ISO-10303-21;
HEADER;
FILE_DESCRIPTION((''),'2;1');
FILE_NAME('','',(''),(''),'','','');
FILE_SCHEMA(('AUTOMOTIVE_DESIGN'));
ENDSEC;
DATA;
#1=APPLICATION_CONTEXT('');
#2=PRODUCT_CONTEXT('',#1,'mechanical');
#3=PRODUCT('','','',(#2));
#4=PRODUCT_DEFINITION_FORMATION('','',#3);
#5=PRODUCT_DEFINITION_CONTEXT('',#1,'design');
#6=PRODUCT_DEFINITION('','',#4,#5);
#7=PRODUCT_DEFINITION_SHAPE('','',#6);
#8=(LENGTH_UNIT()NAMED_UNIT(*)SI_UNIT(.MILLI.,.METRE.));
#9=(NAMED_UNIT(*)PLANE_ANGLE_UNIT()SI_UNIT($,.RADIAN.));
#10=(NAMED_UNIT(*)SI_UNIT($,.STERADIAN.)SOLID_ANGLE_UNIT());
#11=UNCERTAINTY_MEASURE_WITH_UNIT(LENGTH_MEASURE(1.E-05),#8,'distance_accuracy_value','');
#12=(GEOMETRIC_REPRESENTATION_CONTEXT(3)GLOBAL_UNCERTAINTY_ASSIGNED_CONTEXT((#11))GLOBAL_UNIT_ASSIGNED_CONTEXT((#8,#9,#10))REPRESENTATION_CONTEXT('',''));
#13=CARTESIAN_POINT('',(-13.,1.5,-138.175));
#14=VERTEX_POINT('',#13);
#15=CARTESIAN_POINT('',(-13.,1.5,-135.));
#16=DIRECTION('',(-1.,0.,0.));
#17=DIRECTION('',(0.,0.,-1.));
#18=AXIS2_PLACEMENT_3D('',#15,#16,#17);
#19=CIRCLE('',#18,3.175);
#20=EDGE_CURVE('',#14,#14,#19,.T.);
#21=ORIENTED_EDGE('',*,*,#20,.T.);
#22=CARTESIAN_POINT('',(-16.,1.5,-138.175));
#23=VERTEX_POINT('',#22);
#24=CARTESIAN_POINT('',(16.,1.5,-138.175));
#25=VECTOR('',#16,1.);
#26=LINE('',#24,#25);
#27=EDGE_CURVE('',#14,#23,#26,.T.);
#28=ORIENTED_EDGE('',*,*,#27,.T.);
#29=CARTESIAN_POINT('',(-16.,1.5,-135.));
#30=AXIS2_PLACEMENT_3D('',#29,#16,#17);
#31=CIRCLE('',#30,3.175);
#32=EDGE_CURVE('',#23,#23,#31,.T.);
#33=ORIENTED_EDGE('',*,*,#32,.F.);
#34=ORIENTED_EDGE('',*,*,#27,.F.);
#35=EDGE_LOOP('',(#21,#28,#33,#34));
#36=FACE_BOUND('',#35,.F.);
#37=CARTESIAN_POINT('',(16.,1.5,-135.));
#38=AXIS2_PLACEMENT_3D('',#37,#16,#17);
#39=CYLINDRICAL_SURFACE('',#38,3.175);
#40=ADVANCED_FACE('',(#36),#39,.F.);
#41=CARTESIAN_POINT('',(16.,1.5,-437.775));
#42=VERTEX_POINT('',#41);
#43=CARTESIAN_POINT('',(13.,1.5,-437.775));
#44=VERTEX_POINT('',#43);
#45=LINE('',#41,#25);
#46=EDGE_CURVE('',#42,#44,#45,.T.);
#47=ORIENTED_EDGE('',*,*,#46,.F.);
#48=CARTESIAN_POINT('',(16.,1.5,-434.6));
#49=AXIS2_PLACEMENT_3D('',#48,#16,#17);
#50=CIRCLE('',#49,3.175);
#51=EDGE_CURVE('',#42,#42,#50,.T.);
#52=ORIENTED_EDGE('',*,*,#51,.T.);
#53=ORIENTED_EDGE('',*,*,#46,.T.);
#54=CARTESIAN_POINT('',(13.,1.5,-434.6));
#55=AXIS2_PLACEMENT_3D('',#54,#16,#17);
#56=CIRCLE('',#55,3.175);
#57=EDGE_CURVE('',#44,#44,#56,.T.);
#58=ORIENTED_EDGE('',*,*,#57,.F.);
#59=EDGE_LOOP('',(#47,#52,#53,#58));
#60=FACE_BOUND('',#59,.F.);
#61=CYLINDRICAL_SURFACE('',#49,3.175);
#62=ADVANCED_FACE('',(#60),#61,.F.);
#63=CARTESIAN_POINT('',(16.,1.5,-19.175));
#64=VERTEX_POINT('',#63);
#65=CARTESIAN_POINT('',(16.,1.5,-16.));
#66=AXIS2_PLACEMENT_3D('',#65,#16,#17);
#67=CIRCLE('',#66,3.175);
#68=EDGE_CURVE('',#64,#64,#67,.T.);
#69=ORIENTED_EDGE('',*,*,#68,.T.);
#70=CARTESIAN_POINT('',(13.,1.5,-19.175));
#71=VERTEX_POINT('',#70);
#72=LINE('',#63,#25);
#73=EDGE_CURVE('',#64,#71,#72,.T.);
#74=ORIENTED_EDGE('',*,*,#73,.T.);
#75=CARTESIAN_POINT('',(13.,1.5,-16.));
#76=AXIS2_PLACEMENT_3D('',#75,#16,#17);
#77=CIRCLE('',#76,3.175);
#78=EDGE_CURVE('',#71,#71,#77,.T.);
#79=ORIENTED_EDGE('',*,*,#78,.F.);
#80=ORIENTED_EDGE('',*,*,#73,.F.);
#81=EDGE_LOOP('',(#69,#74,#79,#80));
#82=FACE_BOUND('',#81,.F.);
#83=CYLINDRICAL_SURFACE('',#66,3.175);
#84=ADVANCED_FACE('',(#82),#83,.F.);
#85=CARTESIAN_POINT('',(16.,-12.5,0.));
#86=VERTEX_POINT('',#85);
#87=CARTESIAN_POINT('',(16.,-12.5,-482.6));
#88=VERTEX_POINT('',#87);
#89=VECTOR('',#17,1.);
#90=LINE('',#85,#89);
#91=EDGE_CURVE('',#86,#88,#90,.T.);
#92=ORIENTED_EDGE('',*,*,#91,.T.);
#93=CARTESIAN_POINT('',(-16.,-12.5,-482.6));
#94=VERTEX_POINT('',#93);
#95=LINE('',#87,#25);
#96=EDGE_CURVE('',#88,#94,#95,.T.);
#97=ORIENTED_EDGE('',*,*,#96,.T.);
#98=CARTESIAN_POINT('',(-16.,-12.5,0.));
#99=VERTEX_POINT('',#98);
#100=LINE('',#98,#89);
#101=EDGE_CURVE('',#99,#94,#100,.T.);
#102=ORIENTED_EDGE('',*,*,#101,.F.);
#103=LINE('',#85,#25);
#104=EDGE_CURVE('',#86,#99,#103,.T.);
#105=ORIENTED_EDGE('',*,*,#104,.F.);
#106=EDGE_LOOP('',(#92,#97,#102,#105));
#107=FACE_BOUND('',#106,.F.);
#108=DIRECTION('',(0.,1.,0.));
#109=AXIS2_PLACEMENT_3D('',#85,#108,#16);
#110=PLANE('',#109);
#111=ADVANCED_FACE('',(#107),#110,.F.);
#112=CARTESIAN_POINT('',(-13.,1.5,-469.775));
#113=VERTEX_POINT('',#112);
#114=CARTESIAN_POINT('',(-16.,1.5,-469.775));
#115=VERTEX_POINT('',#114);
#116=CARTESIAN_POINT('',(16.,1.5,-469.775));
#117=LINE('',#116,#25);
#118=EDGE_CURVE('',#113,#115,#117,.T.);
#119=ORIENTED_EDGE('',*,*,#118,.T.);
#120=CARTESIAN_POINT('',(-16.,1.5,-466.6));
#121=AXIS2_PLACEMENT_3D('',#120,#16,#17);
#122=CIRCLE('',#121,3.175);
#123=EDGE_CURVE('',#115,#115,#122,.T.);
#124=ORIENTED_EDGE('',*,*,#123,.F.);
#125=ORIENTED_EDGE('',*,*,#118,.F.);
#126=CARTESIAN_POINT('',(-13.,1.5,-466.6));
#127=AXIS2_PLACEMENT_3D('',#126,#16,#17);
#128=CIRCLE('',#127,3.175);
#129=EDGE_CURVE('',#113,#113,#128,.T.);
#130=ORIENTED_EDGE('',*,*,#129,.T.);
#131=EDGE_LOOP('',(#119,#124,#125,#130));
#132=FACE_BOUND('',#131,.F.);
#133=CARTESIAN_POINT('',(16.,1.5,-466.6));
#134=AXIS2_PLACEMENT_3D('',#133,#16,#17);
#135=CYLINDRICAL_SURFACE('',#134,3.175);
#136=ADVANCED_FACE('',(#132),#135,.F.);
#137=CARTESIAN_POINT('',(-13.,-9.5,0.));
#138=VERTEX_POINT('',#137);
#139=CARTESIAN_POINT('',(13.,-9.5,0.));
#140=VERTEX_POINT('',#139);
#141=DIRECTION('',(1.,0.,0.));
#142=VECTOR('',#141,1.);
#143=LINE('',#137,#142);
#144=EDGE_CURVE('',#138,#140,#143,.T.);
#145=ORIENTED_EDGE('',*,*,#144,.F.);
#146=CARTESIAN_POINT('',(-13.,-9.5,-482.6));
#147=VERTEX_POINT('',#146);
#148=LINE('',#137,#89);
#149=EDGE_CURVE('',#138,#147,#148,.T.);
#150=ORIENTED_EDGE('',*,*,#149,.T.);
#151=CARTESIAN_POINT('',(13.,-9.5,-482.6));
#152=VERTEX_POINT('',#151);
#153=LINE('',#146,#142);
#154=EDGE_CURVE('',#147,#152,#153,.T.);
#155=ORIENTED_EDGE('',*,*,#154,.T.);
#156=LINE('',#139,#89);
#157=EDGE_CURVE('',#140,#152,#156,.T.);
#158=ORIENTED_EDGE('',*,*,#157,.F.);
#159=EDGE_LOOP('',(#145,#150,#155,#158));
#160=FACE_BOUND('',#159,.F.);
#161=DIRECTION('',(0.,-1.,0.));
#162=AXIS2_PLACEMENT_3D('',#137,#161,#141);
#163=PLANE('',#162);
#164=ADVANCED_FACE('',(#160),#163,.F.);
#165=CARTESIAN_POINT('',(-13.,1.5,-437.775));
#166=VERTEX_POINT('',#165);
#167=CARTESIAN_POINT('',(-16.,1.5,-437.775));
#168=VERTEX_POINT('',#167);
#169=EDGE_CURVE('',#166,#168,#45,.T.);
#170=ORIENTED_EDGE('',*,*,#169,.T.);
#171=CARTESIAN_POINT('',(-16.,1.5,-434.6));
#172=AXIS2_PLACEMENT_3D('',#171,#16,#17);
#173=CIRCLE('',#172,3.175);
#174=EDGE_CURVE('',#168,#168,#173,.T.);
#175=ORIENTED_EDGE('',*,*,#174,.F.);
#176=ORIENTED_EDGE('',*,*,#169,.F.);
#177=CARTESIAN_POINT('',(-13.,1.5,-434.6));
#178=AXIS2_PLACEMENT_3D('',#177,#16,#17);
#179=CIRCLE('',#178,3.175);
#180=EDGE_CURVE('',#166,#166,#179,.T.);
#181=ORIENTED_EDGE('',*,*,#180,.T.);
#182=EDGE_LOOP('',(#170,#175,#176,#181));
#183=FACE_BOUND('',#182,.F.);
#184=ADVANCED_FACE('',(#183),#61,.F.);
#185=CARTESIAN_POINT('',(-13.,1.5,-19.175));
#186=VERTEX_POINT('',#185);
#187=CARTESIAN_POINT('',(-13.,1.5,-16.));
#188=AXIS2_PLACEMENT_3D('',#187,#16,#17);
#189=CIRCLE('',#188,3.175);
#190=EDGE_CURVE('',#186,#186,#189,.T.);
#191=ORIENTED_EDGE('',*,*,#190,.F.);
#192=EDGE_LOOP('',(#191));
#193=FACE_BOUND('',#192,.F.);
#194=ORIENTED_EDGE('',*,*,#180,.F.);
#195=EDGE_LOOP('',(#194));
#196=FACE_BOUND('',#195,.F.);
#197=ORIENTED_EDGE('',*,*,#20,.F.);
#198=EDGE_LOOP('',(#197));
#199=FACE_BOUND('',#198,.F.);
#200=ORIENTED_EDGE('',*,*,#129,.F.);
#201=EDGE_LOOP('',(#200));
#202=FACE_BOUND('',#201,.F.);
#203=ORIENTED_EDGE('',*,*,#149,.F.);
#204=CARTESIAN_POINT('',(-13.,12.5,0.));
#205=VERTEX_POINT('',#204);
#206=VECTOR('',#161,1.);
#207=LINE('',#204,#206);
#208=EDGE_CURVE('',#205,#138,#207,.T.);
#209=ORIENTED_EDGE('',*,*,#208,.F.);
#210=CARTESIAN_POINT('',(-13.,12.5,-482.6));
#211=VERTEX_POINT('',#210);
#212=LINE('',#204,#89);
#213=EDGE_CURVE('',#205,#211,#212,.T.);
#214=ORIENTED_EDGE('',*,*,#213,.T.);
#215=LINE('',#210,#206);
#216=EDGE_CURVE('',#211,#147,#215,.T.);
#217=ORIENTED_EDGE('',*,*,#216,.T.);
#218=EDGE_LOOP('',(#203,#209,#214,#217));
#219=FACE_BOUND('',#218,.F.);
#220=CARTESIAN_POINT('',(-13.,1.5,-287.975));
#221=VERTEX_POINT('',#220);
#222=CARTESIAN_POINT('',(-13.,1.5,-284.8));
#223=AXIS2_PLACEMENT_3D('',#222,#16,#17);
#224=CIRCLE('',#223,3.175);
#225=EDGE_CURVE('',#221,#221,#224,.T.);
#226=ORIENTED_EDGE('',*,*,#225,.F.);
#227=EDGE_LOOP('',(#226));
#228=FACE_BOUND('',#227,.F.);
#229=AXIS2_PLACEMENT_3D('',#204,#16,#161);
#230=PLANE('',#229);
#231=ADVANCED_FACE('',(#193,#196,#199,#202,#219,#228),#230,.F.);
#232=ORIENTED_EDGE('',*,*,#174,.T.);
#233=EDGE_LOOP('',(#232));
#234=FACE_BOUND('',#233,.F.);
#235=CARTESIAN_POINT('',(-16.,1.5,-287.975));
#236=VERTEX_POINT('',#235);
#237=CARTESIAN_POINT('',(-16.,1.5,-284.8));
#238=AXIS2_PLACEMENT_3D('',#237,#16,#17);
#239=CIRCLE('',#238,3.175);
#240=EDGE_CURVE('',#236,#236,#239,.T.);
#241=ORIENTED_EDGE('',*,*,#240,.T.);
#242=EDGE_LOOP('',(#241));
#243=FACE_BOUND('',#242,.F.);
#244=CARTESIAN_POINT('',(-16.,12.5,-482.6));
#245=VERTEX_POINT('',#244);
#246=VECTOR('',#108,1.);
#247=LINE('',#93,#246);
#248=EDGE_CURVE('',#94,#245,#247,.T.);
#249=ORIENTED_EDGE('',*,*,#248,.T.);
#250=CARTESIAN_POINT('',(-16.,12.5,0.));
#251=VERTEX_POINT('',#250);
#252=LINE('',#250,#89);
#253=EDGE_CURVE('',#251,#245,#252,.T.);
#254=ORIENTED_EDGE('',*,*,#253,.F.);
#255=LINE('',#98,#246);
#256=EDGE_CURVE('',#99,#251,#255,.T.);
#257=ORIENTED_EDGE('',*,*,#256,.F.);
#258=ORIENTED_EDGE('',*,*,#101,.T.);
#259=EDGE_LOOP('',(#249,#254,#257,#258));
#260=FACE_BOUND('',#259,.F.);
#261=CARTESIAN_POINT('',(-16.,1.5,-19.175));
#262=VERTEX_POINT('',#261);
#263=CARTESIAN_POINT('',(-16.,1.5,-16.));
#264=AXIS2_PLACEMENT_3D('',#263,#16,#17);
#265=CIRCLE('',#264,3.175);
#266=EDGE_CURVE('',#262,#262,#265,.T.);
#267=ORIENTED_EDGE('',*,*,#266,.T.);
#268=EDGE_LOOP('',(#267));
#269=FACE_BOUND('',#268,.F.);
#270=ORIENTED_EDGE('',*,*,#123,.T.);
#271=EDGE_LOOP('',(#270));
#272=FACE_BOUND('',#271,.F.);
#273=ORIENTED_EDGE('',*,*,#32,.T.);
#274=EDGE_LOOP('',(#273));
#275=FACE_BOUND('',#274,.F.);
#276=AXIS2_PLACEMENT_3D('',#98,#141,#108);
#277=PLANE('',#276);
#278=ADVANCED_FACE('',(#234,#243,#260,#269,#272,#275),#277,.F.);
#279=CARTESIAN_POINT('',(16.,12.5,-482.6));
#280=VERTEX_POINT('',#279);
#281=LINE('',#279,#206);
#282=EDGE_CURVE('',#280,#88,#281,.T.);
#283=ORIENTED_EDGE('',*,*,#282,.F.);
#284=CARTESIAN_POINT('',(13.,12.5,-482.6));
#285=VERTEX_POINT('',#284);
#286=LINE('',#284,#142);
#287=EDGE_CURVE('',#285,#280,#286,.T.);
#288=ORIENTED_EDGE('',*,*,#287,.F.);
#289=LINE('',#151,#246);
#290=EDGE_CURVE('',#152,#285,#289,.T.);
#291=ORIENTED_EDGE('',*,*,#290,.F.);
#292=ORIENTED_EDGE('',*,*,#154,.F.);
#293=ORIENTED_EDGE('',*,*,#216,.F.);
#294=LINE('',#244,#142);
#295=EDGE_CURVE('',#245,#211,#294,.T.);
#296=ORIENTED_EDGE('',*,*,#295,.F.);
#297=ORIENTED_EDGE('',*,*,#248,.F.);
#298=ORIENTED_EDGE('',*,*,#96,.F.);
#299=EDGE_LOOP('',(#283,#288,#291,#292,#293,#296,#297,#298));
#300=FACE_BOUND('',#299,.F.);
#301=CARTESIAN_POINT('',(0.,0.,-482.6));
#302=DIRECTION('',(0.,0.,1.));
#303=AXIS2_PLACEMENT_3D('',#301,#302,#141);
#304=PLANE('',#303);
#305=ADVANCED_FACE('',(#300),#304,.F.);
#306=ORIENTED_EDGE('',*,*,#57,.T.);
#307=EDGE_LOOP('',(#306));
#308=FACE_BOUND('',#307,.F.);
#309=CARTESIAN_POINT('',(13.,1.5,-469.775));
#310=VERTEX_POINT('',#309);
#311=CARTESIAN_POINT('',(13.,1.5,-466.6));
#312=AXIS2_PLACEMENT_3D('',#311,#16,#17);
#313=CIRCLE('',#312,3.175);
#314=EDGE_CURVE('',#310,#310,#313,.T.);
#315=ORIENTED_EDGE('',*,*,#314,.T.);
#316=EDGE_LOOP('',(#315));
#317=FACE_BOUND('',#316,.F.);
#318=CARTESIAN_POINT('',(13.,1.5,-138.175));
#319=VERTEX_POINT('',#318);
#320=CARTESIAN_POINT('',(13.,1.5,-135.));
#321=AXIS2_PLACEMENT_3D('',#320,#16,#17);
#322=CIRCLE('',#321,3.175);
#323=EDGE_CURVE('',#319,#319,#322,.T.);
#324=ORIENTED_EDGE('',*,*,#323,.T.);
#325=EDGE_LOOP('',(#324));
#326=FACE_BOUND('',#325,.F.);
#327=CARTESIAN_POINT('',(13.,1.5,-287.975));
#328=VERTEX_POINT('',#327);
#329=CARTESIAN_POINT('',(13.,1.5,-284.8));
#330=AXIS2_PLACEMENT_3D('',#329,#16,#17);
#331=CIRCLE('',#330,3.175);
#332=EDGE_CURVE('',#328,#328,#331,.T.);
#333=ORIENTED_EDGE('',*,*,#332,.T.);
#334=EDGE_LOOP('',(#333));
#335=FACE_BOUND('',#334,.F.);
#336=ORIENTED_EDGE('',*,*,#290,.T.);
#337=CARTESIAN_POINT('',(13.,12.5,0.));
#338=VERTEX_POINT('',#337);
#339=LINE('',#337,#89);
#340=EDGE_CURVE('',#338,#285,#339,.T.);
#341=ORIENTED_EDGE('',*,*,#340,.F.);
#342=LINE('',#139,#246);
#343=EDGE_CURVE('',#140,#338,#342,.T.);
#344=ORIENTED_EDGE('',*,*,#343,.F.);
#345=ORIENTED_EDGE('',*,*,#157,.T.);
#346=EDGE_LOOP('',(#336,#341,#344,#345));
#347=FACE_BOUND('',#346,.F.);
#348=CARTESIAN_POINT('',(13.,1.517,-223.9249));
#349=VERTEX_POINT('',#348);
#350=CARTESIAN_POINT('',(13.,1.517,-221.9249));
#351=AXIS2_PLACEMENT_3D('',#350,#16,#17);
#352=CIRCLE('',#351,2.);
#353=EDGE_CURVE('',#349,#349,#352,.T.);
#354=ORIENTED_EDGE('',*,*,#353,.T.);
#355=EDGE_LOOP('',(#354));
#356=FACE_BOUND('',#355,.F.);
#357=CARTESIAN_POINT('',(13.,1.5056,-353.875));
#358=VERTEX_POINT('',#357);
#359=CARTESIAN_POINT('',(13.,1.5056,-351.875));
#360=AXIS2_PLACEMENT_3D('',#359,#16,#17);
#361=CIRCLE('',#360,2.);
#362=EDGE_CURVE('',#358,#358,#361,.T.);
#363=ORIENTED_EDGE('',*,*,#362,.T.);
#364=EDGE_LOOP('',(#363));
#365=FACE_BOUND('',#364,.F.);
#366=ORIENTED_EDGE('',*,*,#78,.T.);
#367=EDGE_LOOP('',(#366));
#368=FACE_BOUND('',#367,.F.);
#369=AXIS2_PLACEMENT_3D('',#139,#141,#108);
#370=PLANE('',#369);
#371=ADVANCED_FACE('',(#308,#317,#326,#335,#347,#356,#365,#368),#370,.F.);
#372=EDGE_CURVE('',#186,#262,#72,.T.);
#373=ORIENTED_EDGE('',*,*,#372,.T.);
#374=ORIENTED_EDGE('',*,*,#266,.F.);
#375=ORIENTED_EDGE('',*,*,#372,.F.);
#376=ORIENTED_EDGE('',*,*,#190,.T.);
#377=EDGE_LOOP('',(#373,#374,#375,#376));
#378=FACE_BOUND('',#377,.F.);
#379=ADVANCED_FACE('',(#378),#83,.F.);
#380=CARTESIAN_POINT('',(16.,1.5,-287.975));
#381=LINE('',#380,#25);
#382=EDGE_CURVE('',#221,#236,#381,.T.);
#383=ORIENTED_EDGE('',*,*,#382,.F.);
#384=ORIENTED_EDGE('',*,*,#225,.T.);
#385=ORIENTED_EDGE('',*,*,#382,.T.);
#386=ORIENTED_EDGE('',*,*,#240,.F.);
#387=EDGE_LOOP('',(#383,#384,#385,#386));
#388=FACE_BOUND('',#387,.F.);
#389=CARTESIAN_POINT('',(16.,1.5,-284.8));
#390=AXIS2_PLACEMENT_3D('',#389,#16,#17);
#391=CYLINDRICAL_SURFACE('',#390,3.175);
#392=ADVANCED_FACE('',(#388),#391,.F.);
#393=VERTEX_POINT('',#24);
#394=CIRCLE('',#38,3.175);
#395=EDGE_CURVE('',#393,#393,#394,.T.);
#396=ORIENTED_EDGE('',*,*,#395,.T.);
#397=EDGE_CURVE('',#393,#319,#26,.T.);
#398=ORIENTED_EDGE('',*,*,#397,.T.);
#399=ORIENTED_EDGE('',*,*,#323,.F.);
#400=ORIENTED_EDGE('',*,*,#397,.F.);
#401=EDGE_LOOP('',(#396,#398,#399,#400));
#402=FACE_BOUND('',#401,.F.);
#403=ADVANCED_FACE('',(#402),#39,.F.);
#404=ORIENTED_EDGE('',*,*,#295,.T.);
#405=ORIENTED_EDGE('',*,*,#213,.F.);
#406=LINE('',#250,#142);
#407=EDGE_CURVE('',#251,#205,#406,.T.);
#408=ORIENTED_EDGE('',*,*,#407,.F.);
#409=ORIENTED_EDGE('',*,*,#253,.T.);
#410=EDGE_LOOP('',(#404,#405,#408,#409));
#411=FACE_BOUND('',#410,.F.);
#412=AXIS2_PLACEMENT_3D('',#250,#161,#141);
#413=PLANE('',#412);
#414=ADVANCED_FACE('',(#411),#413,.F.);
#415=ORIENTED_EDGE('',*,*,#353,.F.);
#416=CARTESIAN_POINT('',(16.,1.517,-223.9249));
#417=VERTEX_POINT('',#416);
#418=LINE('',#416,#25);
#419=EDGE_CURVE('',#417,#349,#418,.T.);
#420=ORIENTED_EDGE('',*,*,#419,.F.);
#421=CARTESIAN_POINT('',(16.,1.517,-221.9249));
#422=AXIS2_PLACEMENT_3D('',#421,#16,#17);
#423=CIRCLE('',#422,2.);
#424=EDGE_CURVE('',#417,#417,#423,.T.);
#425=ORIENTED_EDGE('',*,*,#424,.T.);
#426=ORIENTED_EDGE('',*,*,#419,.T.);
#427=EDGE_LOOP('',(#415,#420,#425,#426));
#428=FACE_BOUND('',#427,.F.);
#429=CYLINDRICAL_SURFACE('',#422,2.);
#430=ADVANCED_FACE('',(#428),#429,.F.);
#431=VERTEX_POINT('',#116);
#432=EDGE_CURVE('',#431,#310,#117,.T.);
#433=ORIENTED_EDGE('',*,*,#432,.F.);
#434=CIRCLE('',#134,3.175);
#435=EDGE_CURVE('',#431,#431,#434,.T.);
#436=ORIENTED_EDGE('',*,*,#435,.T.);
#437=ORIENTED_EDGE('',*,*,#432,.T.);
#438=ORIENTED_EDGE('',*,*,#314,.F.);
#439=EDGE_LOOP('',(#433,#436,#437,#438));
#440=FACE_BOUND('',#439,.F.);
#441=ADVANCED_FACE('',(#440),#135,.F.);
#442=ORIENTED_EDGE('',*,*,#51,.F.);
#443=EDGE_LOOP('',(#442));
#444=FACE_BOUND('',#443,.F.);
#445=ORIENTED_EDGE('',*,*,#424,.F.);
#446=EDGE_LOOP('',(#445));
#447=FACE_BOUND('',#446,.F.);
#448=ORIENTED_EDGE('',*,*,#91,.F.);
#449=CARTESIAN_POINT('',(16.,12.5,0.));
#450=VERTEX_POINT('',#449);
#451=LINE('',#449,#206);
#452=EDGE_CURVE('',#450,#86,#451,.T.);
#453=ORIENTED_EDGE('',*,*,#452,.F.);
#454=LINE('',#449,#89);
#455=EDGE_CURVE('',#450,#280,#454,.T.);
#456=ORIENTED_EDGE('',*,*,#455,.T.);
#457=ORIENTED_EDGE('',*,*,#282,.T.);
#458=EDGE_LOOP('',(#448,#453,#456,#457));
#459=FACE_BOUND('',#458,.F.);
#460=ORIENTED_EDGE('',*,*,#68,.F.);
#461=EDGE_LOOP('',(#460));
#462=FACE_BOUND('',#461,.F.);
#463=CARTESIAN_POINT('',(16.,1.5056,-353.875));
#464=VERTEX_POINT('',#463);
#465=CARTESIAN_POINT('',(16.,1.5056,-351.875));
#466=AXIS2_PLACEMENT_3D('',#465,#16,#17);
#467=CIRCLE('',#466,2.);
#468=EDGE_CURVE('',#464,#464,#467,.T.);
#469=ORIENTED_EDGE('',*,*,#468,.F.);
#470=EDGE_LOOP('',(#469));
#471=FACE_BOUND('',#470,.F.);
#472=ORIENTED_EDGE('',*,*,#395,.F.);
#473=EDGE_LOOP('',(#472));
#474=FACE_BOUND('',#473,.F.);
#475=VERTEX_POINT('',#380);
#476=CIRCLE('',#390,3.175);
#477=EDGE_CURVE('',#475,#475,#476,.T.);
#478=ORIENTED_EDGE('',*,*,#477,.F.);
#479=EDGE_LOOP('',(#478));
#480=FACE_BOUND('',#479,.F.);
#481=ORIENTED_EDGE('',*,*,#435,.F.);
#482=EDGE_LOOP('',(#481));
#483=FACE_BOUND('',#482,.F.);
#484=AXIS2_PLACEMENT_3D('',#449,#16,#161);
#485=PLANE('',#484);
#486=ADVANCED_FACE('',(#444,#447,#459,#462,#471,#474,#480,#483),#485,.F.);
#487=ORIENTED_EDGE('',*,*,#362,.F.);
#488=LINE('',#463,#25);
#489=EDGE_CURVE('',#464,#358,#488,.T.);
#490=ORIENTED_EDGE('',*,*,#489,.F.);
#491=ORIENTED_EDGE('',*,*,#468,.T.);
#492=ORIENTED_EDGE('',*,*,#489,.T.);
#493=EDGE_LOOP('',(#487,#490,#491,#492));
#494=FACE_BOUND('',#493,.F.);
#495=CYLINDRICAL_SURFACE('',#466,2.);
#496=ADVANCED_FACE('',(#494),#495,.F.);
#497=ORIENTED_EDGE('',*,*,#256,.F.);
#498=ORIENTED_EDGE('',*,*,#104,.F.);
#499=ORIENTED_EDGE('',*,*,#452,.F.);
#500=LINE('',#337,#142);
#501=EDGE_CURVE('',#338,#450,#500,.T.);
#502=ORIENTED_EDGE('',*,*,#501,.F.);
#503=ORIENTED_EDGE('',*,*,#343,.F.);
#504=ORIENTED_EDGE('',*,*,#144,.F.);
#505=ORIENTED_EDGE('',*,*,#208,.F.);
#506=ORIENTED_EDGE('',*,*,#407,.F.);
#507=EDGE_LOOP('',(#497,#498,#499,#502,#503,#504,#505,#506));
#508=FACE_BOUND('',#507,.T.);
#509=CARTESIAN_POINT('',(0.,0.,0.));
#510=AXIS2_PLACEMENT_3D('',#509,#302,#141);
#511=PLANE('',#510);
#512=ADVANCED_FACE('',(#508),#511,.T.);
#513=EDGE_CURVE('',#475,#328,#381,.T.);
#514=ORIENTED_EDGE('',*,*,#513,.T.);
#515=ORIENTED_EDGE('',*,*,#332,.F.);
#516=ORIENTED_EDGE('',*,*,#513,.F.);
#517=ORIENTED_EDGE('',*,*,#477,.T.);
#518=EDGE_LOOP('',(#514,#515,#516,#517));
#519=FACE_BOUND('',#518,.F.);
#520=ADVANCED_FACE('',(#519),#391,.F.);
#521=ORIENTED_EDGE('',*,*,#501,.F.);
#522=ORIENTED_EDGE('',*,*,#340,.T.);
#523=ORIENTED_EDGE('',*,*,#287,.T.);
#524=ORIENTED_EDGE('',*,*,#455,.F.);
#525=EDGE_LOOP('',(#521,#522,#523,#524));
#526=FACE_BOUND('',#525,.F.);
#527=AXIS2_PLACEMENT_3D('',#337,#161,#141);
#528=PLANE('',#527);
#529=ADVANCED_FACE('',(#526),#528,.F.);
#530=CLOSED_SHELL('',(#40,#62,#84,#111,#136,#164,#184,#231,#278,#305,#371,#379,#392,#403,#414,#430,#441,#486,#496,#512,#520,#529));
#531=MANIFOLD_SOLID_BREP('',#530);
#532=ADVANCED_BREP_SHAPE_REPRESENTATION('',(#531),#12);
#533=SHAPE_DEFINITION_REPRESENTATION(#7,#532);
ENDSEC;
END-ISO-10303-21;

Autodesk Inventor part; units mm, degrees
ref_plane "YZ Plane" through (0, 0, 0) normal (1, 0, 0) x (0, 1, 0)
ref_plane "XZ Plane" through (0, 0, 0) normal (0, 1, 0) x (-1, 0, 0)
ref_plane "XY Plane" through (0, 0, 0) normal (0, 0, 1) x (1, 0, 0)
sketch "Sketch1" plane through (0, 0, 0) normal (0, 0, 1) x (1, 0, 0)
  line L0 (-16, 12.5) -> (-13, 12.5)
  line L1 (-13, 12.5) -> (-13, -9.5)
  line L2 (-13, -9.5) -> (13, -9.5)
  line L3 (13, -9.5) -> (13, 12.5)
  line L4 (13, 12.5) -> (16, 12.5)
  line L5 (16, 12.5) -> (16, -12.5)
  line L6 (16, -12.5) -> (-16, -12.5)
  line L7 (-16, -12.5) -> (-16, 12.5)
  point P0 (0, 0)
  dimension "d0" = 3
  dimension "d2" = 3
  dimension "d3" = 25
  dimension "d4" = 32
  dimension "d5" = 16
  dimension "d7" = 12.5
  dimension "d8" = 3
  dimension "d53" = 25
extrude "Extrusion1" add sketch "Sketch1" against normal blind 482.6
sketch "Sketch12" plane through (16, -12.5, 0) normal (1, 0, 0) x (0, 0, -1)
  circle A0 centre (16, 14) radius 3.175 projected
  circle A1 centre (16, 14) radius 3.175
  circle A2 centre (466.6, 14) radius 3.175 projected
  circle A3 centre (466.6, 14) radius 3.175
  circle A4 centre (135, 14) radius 3.175 projected
  circle A5 centre (135, 14) radius 3.175
  circle A6 centre (434.6, 14) radius 3.175 projected
  circle A7 centre (284.8, 14) radius 3.175 projected
  point P0 (0, 12.5)
hole "Hole2" at (16, 1.5, -16) at (16, 1.5, -466.6) at (16, 1.5, -135) at (16, 1.5, -434.6) at (16, 1.5, -284.8) direction (-1, 0, 0) diameter 6.35 end through all
sketch "Sketch13" plane through (16, -12.5, 0) normal (1, 0, 0) x (0, 0, -1)
  circle A0 centre (351.875, 14.0056) radius 2 projected
  circle A1 centre (221.9249, 14.017) radius 2 projected
  point P0 (0, 12.5)
hole "Hole3" at (16, 1.5056, -351.875) at (16, 1.517, -221.9249) direction (-1, 0, 0) diameter 4 depth 3 tip angle 118
equation "\"d2\" = d0"
equation "\"d5\" = 0.5 * d4"
equation "\"d7\" = 0.5 * d3"
equation "\"d8\" = d0"
equation "\"d53\" = d3"
properties part number "18in C-Channel Front" material "Aluminum 6061"
